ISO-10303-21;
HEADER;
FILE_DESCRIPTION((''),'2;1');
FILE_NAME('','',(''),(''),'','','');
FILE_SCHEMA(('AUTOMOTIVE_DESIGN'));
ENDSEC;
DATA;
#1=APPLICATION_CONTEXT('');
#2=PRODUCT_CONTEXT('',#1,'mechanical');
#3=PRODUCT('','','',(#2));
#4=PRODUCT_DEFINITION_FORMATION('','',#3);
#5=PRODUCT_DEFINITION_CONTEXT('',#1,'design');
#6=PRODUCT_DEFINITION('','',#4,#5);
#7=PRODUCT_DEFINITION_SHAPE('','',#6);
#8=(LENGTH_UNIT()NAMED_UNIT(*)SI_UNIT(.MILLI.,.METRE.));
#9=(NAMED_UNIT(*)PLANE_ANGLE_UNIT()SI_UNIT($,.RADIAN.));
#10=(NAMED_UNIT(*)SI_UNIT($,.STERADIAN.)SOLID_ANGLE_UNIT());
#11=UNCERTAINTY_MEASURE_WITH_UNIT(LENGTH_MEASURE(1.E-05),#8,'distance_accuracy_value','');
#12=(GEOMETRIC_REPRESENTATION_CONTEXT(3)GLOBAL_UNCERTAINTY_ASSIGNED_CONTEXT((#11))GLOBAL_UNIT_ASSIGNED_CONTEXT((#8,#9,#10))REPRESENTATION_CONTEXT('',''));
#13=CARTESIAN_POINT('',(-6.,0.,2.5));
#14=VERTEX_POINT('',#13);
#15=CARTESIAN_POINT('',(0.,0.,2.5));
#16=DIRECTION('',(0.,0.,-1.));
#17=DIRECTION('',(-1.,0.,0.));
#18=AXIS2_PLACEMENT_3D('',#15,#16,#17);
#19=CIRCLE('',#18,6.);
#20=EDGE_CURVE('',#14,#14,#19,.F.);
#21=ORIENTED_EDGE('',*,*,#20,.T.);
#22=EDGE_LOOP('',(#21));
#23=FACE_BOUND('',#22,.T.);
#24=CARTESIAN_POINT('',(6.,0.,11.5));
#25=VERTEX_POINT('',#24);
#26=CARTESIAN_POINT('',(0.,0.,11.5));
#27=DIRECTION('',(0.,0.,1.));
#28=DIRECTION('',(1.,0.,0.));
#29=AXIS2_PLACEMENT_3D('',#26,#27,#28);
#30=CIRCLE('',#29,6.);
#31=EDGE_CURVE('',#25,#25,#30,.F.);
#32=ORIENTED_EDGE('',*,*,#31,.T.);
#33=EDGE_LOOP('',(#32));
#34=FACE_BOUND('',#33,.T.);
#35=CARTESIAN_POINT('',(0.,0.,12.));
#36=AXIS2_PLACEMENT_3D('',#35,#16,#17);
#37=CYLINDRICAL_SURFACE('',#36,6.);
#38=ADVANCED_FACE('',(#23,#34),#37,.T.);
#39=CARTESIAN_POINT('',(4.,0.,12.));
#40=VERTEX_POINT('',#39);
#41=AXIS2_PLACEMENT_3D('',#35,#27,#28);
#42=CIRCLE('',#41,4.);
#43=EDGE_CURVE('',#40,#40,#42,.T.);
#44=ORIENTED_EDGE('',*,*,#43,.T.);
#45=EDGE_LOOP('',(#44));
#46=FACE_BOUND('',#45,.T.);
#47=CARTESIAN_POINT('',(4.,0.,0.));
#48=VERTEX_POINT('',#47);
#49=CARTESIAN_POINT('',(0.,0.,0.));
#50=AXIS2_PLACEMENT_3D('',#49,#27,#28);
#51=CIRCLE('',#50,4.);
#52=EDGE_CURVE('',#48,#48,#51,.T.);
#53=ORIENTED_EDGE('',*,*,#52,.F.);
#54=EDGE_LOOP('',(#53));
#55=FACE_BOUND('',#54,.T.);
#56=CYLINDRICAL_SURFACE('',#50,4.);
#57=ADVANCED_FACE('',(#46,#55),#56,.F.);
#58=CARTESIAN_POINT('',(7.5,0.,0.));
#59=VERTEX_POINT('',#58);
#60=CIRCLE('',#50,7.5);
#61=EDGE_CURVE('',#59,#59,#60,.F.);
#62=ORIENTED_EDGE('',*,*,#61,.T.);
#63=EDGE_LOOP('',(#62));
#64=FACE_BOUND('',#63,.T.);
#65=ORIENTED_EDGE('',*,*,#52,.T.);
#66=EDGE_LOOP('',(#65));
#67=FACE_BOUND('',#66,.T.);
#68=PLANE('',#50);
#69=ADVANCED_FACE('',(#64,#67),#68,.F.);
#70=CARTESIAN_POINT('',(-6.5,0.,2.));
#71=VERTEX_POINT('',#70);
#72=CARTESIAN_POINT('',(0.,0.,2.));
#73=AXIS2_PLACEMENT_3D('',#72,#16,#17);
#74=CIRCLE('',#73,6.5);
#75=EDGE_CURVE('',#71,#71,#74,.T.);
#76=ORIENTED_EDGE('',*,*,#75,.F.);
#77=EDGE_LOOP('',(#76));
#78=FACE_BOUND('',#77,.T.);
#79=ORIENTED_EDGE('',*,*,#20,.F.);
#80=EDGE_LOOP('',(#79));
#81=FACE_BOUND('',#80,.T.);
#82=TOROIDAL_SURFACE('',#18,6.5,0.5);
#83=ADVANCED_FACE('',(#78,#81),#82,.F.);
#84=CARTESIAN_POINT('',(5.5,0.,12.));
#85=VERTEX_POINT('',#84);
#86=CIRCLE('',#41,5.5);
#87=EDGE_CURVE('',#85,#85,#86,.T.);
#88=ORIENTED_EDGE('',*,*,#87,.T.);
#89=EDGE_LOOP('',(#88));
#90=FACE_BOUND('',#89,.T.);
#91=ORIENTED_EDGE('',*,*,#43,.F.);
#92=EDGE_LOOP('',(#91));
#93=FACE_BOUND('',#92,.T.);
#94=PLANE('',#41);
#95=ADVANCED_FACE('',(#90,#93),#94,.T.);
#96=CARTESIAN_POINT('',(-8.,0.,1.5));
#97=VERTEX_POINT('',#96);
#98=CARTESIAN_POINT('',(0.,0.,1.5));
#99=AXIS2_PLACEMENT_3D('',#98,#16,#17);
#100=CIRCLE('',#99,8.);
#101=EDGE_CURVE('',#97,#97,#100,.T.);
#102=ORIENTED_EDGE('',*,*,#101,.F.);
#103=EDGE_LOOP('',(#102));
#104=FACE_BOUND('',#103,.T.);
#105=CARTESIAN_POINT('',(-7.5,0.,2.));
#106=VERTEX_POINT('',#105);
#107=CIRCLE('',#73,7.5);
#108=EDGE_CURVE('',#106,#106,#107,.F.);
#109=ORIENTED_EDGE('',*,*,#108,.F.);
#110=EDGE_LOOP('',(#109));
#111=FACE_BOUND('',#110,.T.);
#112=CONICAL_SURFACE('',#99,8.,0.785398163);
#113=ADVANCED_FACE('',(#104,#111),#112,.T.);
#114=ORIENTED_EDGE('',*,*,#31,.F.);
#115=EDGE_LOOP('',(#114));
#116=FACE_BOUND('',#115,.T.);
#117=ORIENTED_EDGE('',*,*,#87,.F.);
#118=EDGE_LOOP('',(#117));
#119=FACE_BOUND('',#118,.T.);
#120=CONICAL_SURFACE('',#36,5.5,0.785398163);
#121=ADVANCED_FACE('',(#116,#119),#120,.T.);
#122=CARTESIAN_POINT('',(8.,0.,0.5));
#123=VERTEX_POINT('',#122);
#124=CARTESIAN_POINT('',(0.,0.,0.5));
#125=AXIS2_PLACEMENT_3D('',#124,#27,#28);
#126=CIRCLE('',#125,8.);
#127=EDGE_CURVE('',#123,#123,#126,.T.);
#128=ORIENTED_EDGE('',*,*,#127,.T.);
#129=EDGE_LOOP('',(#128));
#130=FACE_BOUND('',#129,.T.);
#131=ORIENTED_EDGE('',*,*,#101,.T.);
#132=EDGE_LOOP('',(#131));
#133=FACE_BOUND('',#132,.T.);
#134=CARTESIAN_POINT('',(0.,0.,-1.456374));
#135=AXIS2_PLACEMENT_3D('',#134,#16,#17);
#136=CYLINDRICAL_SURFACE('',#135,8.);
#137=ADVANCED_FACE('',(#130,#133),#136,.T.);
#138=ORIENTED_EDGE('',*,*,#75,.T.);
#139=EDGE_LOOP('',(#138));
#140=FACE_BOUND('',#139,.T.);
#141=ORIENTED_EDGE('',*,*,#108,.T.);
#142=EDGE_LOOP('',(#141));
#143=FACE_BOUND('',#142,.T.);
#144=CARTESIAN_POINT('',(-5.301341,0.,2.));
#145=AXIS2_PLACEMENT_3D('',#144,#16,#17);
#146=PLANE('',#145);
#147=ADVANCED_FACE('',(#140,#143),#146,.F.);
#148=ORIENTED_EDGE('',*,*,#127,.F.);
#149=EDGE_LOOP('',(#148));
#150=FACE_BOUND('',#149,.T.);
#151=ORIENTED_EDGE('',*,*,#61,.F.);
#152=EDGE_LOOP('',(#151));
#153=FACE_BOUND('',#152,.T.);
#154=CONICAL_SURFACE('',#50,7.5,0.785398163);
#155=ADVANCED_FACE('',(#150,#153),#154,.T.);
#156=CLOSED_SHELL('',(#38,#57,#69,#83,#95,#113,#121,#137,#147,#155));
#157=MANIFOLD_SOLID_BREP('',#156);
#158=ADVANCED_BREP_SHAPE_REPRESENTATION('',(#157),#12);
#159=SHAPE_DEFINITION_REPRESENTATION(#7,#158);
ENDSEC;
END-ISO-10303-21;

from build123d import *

# Parameters (mm, degrees)
ESQUISSE1_R      = 6
EXTRUSION1_DEPTH = 12
ESQUISSE2_R      = 4
EXTRUSION2_DEPTH = 15.696938457
ESQUISSE3_W      = 4
ESQUISSE3_H      = 2
CHANFREIN1_SIZE  = 0.5
CONG_1_R         = 0.5


with BuildPart() as part:
    # Esquisse1 → Extrusion1 (new body)
    with BuildSketch(Plane.XY):
        Circle(ESQUISSE1_R)
    extrude(amount=EXTRUSION1_DEPTH)

    # Esquisse2 → Extrusion2 (cut, through all)
    with BuildSketch(Plane.XY.offset(12)):
        Circle(ESQUISSE2_R)
    extrude(amount=-EXTRUSION2_DEPTH, mode=Mode.SUBTRACT)

    # Esquisse3 → Révolution2 (revolve)
    with BuildSketch(Plane(origin=(0, 0, 0), x_dir=(1, 0, 0), z_dir=(0, 1, 0)), mode=Mode.PRIVATE) as r_volution2_sk:
        with Locations((6, -1)):
            Rectangle(ESQUISSE3_W, ESQUISSE3_H)
    revolve(r_volution2_sk.sketch.rotate(Axis((0, 0, -1.456374096), (0, 0, 1)), 180), axis=Axis((0, 0, -1.456374096), (0, 0, 1)))

    # Chanfrein1
    chanfrein1_edges = [part.edges().sort_by_distance(p)[0] for p in [
        (8, 0, 0),
        (8, 0, 2),
        (-6, 0, 12),
    ]]
    chamfer(chanfrein1_edges, length=CHANFREIN1_SIZE)

    # Congé1
    cong_1_edges = [part.edges().sort_by_distance(p)[0] for p in [
        (-6, 0, 2),
    ]]
    fillet(cong_1_edges, radius=CONG_1_R)


solid = part.part
